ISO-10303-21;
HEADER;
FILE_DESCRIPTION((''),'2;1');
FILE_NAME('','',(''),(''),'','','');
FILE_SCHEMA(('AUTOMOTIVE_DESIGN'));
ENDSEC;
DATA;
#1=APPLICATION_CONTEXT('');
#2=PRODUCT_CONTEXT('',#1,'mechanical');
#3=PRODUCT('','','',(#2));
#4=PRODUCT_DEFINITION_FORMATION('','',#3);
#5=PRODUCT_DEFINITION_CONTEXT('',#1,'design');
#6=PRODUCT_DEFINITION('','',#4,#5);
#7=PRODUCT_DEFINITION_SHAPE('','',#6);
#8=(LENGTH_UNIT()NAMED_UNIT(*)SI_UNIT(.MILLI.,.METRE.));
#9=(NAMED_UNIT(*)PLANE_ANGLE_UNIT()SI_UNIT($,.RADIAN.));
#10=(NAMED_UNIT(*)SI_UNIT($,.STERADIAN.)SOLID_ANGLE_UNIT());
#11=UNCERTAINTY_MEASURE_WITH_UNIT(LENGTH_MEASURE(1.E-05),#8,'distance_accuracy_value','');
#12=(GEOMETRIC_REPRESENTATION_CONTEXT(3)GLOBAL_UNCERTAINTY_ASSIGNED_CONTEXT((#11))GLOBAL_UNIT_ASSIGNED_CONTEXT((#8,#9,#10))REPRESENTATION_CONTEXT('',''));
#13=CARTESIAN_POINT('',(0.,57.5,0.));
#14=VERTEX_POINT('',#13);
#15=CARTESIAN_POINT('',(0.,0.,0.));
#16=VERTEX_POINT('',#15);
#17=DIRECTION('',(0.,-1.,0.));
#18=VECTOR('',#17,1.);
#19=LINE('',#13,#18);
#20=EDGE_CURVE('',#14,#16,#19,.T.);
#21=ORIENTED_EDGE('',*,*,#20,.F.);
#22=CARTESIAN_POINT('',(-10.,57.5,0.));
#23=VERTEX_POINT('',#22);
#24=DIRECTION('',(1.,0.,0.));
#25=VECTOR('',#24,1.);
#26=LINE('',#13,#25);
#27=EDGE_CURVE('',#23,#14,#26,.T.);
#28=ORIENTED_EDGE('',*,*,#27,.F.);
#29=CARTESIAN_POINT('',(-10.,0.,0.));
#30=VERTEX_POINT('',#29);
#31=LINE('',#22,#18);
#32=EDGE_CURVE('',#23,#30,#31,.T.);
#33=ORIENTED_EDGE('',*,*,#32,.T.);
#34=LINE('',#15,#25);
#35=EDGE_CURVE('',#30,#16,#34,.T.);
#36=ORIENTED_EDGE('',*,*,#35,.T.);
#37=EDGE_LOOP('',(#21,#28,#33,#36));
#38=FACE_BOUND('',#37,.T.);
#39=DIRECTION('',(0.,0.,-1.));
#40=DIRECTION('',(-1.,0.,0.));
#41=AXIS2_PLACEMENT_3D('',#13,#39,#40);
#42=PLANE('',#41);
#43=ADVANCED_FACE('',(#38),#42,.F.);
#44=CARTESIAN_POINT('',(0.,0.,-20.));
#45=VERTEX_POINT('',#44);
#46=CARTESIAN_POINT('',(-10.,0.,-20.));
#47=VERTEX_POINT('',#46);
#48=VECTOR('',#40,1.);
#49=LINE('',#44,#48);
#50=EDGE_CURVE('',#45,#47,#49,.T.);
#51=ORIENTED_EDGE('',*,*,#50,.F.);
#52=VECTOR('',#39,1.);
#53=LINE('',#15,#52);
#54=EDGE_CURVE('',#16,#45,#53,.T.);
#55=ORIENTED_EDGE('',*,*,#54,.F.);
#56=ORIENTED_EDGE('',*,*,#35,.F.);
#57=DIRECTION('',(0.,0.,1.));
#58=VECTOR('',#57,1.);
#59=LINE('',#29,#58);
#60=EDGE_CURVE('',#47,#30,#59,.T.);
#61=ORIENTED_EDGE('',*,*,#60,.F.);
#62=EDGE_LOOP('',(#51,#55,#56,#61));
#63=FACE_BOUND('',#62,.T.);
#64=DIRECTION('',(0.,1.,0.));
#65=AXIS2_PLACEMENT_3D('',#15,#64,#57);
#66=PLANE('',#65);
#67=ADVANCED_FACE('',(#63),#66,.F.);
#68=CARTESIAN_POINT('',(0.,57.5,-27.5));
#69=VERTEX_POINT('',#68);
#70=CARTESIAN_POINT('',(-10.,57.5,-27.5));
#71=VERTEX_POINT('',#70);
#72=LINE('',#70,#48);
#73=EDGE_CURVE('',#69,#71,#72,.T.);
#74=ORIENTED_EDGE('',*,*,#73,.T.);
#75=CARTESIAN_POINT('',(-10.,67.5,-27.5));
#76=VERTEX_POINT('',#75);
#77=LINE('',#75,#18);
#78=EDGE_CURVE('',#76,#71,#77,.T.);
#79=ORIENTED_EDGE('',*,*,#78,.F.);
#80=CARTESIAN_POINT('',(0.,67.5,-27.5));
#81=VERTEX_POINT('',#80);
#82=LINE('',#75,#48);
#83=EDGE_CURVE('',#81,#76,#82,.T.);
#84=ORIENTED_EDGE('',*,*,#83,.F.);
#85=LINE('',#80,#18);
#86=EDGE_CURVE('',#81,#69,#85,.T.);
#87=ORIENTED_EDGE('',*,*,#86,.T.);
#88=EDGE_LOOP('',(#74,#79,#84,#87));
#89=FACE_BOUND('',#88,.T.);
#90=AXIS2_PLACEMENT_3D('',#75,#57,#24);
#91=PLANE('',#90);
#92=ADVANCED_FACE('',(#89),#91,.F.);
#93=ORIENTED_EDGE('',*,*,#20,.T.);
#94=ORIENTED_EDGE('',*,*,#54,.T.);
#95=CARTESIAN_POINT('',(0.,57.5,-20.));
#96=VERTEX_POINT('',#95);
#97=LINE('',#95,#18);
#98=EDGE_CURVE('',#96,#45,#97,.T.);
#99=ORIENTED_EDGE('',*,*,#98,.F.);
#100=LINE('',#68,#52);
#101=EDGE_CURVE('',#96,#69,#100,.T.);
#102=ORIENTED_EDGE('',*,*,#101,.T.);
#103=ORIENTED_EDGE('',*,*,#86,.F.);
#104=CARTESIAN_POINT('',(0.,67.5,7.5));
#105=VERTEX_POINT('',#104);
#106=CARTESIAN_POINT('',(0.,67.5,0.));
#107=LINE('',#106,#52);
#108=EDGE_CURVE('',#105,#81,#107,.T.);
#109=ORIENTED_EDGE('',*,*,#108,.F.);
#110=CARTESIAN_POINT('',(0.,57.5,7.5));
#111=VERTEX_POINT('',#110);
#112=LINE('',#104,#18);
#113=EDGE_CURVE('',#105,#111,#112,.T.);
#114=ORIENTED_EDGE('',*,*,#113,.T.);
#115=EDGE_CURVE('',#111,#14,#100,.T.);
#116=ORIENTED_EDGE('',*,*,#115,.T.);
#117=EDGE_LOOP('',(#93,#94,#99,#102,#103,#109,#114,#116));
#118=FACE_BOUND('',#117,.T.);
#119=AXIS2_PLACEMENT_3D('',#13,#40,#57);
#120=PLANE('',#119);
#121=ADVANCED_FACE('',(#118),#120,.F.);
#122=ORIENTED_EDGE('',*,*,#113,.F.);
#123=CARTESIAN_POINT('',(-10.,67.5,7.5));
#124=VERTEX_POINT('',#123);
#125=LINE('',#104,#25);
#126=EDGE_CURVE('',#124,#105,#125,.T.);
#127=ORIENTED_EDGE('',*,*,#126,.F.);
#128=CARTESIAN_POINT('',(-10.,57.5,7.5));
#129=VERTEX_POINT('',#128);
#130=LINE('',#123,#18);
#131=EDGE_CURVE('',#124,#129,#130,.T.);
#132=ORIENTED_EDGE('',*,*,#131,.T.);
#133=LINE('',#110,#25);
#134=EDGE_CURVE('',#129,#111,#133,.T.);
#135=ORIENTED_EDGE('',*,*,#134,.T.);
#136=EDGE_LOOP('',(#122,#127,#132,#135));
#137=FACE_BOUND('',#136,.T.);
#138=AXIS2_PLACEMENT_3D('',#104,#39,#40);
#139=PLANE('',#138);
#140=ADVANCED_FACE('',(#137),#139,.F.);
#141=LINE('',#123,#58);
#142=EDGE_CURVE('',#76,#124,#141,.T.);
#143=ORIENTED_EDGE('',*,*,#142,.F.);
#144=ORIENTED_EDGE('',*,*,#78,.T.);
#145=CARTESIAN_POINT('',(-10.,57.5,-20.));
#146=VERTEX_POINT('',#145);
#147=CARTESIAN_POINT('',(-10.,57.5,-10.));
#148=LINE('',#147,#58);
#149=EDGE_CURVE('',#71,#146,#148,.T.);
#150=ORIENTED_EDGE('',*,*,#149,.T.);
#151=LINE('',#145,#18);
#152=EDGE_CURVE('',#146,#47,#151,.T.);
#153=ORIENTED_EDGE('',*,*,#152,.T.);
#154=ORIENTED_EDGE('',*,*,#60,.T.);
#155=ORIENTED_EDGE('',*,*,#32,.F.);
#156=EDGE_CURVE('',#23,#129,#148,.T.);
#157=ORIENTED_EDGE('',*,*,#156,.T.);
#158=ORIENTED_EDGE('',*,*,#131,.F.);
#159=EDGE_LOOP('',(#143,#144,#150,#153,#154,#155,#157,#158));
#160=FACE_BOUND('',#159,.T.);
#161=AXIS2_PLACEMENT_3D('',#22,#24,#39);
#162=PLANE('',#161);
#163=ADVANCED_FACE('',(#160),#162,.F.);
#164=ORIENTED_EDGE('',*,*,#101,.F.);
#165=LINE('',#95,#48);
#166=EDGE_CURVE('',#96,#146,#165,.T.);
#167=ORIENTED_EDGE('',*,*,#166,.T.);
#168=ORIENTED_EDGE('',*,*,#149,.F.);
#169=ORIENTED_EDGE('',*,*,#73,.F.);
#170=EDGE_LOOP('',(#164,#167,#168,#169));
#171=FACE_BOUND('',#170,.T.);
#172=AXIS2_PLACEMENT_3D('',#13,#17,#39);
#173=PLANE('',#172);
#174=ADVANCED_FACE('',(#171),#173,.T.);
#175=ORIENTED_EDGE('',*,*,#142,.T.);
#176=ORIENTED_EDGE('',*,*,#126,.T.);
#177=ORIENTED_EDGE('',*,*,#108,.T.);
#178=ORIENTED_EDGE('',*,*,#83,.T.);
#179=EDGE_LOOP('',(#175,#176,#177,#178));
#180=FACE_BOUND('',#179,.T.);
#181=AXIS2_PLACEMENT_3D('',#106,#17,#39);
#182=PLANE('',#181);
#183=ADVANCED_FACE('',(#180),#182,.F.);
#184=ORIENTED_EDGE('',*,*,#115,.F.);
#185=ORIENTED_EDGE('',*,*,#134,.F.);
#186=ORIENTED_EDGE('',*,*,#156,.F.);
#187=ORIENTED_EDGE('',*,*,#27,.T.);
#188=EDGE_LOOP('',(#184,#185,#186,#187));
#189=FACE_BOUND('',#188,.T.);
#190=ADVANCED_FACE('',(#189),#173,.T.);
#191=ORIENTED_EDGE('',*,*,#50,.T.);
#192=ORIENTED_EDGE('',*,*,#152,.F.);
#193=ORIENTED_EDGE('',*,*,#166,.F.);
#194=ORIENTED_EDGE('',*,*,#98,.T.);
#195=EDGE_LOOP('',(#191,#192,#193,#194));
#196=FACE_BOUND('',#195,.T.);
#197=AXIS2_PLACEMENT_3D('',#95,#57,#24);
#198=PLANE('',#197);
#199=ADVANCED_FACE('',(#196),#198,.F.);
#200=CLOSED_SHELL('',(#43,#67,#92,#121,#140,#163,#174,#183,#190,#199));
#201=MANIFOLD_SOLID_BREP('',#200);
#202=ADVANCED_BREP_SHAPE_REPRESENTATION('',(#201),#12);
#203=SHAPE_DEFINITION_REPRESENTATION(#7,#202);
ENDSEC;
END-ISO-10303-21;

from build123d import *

# Parameters (mm, degrees)
SKETCH1_W           = 10
SKETCH1_H           = 20
BOSS_EXTRUDE1_DEPTH = 57.5
BOSS_EXTRUDE2_DEPTH = 10


with BuildPart() as part:
    # Sketch1 → Boss-Extrude1 (new body)
    with BuildSketch(Plane(origin=(0, 0, 0), x_dir=(1, 0, 0), z_dir=(0, 1, 0))):
        with Locations((-5, 10)):
            Rectangle(SKETCH1_W, SKETCH1_H)
    extrude(amount=BOSS_EXTRUDE1_DEPTH)

    # Sketch3 → Boss-Extrude2 (add)
    with BuildSketch(Plane(origin=(0, 57.5, 0), x_dir=(1, 0, 0), z_dir=(0, 1, 0))):
        Polygon((-10, 10), (-10, 27.5), (0, 27.5), (0, 0), (0, -7.5), (-10, -7.5), align=None)
    extrude(amount=BOSS_EXTRUDE2_DEPTH)


solid = part.part
